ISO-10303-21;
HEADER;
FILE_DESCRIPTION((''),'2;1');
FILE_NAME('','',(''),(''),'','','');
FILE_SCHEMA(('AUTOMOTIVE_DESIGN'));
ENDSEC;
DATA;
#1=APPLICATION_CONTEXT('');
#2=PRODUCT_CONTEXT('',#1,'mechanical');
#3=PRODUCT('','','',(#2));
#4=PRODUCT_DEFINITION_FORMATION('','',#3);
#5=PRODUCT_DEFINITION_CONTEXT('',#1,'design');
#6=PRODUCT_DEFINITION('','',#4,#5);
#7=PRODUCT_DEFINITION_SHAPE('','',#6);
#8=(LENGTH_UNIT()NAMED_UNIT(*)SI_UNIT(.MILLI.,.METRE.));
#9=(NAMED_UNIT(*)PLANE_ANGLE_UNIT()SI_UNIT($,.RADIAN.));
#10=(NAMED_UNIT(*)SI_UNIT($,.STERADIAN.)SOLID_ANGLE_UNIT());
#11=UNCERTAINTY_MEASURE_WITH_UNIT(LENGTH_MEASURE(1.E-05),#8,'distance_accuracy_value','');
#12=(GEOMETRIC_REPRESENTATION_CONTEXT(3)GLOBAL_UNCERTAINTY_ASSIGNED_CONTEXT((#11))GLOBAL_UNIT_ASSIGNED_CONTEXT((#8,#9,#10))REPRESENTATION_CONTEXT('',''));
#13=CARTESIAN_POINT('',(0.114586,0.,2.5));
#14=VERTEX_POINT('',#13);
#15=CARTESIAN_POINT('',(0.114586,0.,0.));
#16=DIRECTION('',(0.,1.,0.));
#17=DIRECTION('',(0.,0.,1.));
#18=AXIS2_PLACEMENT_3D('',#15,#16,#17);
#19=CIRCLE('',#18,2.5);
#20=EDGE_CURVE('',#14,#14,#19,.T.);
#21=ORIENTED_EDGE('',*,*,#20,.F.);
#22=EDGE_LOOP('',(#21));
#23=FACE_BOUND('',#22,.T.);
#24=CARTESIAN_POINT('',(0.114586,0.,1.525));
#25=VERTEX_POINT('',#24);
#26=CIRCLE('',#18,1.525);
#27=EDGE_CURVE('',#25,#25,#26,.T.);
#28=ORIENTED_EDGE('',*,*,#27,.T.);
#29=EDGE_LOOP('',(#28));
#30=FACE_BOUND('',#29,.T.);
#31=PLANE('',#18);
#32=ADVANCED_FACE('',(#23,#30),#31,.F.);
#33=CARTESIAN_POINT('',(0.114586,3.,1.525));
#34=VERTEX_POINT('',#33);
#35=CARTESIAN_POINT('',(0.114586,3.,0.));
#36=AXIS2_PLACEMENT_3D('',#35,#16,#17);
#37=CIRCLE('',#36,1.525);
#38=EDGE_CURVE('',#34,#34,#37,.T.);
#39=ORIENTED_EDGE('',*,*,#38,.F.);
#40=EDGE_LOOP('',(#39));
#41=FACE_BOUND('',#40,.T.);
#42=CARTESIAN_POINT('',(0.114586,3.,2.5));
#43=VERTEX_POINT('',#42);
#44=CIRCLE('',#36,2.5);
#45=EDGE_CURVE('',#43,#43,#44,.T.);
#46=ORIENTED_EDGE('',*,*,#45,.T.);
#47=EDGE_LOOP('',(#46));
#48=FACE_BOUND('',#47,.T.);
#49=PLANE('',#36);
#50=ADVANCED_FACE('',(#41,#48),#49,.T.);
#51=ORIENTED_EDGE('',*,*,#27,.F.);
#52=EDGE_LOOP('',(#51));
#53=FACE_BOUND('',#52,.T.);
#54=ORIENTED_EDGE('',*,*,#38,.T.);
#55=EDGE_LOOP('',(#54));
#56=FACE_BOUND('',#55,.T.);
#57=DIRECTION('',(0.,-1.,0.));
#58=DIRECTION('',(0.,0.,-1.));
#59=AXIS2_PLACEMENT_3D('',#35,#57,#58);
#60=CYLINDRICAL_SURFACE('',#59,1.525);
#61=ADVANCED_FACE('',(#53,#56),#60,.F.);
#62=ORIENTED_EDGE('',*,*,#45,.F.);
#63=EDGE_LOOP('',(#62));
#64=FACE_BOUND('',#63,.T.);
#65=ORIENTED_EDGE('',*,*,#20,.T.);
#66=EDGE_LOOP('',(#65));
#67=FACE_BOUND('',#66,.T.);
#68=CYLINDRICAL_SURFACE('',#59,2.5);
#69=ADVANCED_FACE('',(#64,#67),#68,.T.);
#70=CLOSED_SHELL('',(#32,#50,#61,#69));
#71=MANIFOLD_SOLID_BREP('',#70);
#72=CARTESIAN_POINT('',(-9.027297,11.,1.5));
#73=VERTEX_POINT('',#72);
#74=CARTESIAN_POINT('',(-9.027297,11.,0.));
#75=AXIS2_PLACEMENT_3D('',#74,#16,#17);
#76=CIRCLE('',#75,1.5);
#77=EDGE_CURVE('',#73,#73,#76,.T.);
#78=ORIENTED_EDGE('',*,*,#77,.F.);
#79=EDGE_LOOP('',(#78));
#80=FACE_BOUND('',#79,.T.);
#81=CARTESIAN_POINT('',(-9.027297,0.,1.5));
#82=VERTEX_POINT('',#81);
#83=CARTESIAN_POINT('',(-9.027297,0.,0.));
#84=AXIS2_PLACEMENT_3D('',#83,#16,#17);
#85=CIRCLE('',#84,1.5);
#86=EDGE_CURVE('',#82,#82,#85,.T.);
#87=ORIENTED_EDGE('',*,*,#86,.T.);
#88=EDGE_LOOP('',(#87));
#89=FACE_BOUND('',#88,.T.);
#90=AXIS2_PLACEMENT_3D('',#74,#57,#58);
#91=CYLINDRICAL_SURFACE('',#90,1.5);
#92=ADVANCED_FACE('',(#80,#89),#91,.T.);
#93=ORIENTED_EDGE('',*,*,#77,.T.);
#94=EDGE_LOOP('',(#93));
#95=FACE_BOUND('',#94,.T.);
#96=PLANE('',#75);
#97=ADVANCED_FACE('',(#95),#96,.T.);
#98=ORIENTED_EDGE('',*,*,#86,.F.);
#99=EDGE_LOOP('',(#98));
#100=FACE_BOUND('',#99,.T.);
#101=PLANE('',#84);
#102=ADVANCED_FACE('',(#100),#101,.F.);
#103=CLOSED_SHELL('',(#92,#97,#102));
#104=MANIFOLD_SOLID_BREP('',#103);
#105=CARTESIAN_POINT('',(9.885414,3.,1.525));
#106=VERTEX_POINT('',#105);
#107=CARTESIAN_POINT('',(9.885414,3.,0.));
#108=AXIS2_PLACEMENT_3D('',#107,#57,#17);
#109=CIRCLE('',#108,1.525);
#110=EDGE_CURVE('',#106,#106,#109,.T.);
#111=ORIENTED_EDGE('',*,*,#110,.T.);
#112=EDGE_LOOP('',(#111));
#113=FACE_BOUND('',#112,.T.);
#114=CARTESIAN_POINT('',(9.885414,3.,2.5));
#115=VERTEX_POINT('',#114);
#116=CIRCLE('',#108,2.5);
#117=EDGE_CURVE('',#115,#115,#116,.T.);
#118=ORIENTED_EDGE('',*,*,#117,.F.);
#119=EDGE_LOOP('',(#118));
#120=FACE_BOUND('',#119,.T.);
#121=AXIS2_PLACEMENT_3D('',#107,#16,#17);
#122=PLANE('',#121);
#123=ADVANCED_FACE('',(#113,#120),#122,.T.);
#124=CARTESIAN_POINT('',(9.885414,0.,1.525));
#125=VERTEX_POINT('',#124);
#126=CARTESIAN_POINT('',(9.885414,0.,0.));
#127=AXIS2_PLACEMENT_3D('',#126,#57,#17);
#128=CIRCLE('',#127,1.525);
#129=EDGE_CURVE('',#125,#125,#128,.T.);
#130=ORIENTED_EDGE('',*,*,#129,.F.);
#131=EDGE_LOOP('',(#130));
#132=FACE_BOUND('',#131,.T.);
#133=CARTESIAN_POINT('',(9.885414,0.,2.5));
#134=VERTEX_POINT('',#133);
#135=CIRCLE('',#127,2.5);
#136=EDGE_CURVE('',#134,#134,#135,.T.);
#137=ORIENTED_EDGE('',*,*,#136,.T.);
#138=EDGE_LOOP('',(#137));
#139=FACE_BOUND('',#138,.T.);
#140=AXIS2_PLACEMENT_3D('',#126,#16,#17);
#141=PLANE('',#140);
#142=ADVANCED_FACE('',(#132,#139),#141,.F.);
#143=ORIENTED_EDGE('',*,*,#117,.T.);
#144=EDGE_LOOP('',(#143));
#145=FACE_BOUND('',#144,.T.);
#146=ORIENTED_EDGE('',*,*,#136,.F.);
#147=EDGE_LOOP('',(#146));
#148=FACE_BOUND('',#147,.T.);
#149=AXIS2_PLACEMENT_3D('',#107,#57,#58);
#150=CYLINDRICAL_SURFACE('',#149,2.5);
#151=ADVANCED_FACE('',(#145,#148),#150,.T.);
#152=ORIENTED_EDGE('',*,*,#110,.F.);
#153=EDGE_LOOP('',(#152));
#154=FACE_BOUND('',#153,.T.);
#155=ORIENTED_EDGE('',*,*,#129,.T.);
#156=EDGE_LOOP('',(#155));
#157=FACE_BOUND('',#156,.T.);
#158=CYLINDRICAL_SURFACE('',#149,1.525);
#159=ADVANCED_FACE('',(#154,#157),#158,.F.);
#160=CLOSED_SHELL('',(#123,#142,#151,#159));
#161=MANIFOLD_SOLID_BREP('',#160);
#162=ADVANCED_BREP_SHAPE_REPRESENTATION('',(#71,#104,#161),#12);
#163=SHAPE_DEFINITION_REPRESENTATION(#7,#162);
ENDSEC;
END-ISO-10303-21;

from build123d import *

# Parameters (mm, degrees)
SKETCH1_R           = 2.5
SKETCH1_R_2         = 1.525
BOSS_EXTRUDE1_DEPTH = 3
SKETCH2_R           = 1.5
BOSS_EXTRUDE2_DEPTH = 11


with BuildPart() as part:
    # Sketch1 → Boss-Extrude1 (new body)
    with BuildSketch(Plane(origin=(0, 0, 0), x_dir=(1, 0, 0), z_dir=(0, 1, 0))):
        with Locations(Location((0.114586476, 0, 0), (0, 0, 270))):
            Circle(SKETCH1_R)
        with Locations(Location((0.114586476, 0, 0), (0, 0, 270))):
            Circle(SKETCH1_R_2, mode=Mode.SUBTRACT)
    extrude(amount=BOSS_EXTRUDE1_DEPTH)


with BuildPart() as body_2:
    # Sketch2 → Boss-Extrude2 (new body)
    with BuildSketch(Plane(origin=(0, 0, 0), x_dir=(1, 0, 0), z_dir=(0, 1, 0))):
        with Locations(Location((-9.027296586, 0, 0), (0, 0, 270))):
            Circle(SKETCH2_R)
    extrude(amount=BOSS_EXTRUDE2_DEPTH)


with BuildPart() as body_3:
    # Mirror1: mirrored copy
    add(part.part.mirror(Plane(origin=(5, 0, 0), x_dir=(0, 0, 1), z_dir=(1, 0, 0))))


solid = Compound([part.part, body_2.part, body_3.part])
